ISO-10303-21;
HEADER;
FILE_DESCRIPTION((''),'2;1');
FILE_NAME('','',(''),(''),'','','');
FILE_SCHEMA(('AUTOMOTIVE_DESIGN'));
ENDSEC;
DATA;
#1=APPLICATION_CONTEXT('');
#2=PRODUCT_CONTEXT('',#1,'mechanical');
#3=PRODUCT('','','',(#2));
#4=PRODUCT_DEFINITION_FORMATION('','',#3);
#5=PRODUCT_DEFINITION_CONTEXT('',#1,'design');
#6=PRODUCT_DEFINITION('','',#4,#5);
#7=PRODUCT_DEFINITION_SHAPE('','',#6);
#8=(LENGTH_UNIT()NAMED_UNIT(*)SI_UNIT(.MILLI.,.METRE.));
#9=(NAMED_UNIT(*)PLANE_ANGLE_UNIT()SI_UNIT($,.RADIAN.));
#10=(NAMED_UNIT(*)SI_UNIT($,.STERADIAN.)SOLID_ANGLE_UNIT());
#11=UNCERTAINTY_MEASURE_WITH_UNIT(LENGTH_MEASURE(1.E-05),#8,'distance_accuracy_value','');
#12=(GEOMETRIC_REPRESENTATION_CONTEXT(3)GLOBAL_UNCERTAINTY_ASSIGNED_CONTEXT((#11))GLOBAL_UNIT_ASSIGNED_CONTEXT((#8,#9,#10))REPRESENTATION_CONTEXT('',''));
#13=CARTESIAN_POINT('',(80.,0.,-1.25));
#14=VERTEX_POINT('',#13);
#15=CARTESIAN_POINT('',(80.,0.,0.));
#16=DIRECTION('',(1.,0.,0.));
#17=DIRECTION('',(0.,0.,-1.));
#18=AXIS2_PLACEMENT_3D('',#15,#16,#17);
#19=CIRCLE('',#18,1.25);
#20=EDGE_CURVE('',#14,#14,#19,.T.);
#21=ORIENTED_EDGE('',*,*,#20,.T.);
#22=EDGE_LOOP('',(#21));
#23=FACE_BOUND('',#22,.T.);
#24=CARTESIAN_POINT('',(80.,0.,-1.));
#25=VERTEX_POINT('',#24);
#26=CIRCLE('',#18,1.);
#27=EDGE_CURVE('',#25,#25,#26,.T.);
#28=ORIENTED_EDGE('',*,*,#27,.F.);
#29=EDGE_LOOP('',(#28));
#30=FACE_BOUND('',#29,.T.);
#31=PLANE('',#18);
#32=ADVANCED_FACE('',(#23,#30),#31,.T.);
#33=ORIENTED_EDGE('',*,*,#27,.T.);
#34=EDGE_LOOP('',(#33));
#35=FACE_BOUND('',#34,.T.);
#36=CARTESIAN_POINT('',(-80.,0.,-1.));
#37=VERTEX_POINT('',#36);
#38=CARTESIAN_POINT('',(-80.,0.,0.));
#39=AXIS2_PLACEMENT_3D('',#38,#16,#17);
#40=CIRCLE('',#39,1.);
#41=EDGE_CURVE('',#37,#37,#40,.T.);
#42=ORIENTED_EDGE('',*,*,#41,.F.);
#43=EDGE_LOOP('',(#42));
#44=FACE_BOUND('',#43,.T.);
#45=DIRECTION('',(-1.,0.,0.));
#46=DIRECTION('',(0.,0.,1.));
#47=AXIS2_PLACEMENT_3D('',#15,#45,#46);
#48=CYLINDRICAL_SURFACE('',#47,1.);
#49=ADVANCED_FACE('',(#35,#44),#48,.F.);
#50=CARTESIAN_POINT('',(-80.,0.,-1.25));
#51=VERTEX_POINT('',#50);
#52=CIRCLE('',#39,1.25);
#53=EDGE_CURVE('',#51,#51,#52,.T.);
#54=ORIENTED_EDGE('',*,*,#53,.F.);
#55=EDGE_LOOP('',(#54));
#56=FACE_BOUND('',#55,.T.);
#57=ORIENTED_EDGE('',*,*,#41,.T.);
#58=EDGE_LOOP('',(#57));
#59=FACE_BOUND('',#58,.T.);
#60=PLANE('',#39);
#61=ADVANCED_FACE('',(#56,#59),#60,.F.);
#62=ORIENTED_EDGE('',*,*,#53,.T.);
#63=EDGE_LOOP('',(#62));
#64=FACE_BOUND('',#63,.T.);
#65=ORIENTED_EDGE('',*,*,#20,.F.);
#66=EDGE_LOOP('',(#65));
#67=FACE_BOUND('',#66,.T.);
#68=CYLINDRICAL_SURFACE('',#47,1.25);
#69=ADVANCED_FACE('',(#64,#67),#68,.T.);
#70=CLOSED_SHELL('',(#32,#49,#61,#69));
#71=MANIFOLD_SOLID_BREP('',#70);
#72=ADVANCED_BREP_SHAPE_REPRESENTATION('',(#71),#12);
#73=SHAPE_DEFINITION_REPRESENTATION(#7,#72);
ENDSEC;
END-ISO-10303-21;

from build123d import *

# Parameters (mm, degrees)
SKIZZE1_R                       = 1.25
SKIZZE1_R_2                     = 1
AUFSATZ_LINEAR_AUSTRAGEN1_DEPTH = 80


with BuildPart() as part:
    # Skizze1 → Aufsatz-Linear austragen1 (new, symmetric)
    with BuildSketch(Plane(origin=(0, 0, 0), x_dir=(0, 0, -1), z_dir=(1, 0, 0))):
        Circle(SKIZZE1_R)
        Circle(SKIZZE1_R_2, mode=Mode.SUBTRACT)
    extrude(amount=AUFSATZ_LINEAR_AUSTRAGEN1_DEPTH, both=True)


solid = part.part
